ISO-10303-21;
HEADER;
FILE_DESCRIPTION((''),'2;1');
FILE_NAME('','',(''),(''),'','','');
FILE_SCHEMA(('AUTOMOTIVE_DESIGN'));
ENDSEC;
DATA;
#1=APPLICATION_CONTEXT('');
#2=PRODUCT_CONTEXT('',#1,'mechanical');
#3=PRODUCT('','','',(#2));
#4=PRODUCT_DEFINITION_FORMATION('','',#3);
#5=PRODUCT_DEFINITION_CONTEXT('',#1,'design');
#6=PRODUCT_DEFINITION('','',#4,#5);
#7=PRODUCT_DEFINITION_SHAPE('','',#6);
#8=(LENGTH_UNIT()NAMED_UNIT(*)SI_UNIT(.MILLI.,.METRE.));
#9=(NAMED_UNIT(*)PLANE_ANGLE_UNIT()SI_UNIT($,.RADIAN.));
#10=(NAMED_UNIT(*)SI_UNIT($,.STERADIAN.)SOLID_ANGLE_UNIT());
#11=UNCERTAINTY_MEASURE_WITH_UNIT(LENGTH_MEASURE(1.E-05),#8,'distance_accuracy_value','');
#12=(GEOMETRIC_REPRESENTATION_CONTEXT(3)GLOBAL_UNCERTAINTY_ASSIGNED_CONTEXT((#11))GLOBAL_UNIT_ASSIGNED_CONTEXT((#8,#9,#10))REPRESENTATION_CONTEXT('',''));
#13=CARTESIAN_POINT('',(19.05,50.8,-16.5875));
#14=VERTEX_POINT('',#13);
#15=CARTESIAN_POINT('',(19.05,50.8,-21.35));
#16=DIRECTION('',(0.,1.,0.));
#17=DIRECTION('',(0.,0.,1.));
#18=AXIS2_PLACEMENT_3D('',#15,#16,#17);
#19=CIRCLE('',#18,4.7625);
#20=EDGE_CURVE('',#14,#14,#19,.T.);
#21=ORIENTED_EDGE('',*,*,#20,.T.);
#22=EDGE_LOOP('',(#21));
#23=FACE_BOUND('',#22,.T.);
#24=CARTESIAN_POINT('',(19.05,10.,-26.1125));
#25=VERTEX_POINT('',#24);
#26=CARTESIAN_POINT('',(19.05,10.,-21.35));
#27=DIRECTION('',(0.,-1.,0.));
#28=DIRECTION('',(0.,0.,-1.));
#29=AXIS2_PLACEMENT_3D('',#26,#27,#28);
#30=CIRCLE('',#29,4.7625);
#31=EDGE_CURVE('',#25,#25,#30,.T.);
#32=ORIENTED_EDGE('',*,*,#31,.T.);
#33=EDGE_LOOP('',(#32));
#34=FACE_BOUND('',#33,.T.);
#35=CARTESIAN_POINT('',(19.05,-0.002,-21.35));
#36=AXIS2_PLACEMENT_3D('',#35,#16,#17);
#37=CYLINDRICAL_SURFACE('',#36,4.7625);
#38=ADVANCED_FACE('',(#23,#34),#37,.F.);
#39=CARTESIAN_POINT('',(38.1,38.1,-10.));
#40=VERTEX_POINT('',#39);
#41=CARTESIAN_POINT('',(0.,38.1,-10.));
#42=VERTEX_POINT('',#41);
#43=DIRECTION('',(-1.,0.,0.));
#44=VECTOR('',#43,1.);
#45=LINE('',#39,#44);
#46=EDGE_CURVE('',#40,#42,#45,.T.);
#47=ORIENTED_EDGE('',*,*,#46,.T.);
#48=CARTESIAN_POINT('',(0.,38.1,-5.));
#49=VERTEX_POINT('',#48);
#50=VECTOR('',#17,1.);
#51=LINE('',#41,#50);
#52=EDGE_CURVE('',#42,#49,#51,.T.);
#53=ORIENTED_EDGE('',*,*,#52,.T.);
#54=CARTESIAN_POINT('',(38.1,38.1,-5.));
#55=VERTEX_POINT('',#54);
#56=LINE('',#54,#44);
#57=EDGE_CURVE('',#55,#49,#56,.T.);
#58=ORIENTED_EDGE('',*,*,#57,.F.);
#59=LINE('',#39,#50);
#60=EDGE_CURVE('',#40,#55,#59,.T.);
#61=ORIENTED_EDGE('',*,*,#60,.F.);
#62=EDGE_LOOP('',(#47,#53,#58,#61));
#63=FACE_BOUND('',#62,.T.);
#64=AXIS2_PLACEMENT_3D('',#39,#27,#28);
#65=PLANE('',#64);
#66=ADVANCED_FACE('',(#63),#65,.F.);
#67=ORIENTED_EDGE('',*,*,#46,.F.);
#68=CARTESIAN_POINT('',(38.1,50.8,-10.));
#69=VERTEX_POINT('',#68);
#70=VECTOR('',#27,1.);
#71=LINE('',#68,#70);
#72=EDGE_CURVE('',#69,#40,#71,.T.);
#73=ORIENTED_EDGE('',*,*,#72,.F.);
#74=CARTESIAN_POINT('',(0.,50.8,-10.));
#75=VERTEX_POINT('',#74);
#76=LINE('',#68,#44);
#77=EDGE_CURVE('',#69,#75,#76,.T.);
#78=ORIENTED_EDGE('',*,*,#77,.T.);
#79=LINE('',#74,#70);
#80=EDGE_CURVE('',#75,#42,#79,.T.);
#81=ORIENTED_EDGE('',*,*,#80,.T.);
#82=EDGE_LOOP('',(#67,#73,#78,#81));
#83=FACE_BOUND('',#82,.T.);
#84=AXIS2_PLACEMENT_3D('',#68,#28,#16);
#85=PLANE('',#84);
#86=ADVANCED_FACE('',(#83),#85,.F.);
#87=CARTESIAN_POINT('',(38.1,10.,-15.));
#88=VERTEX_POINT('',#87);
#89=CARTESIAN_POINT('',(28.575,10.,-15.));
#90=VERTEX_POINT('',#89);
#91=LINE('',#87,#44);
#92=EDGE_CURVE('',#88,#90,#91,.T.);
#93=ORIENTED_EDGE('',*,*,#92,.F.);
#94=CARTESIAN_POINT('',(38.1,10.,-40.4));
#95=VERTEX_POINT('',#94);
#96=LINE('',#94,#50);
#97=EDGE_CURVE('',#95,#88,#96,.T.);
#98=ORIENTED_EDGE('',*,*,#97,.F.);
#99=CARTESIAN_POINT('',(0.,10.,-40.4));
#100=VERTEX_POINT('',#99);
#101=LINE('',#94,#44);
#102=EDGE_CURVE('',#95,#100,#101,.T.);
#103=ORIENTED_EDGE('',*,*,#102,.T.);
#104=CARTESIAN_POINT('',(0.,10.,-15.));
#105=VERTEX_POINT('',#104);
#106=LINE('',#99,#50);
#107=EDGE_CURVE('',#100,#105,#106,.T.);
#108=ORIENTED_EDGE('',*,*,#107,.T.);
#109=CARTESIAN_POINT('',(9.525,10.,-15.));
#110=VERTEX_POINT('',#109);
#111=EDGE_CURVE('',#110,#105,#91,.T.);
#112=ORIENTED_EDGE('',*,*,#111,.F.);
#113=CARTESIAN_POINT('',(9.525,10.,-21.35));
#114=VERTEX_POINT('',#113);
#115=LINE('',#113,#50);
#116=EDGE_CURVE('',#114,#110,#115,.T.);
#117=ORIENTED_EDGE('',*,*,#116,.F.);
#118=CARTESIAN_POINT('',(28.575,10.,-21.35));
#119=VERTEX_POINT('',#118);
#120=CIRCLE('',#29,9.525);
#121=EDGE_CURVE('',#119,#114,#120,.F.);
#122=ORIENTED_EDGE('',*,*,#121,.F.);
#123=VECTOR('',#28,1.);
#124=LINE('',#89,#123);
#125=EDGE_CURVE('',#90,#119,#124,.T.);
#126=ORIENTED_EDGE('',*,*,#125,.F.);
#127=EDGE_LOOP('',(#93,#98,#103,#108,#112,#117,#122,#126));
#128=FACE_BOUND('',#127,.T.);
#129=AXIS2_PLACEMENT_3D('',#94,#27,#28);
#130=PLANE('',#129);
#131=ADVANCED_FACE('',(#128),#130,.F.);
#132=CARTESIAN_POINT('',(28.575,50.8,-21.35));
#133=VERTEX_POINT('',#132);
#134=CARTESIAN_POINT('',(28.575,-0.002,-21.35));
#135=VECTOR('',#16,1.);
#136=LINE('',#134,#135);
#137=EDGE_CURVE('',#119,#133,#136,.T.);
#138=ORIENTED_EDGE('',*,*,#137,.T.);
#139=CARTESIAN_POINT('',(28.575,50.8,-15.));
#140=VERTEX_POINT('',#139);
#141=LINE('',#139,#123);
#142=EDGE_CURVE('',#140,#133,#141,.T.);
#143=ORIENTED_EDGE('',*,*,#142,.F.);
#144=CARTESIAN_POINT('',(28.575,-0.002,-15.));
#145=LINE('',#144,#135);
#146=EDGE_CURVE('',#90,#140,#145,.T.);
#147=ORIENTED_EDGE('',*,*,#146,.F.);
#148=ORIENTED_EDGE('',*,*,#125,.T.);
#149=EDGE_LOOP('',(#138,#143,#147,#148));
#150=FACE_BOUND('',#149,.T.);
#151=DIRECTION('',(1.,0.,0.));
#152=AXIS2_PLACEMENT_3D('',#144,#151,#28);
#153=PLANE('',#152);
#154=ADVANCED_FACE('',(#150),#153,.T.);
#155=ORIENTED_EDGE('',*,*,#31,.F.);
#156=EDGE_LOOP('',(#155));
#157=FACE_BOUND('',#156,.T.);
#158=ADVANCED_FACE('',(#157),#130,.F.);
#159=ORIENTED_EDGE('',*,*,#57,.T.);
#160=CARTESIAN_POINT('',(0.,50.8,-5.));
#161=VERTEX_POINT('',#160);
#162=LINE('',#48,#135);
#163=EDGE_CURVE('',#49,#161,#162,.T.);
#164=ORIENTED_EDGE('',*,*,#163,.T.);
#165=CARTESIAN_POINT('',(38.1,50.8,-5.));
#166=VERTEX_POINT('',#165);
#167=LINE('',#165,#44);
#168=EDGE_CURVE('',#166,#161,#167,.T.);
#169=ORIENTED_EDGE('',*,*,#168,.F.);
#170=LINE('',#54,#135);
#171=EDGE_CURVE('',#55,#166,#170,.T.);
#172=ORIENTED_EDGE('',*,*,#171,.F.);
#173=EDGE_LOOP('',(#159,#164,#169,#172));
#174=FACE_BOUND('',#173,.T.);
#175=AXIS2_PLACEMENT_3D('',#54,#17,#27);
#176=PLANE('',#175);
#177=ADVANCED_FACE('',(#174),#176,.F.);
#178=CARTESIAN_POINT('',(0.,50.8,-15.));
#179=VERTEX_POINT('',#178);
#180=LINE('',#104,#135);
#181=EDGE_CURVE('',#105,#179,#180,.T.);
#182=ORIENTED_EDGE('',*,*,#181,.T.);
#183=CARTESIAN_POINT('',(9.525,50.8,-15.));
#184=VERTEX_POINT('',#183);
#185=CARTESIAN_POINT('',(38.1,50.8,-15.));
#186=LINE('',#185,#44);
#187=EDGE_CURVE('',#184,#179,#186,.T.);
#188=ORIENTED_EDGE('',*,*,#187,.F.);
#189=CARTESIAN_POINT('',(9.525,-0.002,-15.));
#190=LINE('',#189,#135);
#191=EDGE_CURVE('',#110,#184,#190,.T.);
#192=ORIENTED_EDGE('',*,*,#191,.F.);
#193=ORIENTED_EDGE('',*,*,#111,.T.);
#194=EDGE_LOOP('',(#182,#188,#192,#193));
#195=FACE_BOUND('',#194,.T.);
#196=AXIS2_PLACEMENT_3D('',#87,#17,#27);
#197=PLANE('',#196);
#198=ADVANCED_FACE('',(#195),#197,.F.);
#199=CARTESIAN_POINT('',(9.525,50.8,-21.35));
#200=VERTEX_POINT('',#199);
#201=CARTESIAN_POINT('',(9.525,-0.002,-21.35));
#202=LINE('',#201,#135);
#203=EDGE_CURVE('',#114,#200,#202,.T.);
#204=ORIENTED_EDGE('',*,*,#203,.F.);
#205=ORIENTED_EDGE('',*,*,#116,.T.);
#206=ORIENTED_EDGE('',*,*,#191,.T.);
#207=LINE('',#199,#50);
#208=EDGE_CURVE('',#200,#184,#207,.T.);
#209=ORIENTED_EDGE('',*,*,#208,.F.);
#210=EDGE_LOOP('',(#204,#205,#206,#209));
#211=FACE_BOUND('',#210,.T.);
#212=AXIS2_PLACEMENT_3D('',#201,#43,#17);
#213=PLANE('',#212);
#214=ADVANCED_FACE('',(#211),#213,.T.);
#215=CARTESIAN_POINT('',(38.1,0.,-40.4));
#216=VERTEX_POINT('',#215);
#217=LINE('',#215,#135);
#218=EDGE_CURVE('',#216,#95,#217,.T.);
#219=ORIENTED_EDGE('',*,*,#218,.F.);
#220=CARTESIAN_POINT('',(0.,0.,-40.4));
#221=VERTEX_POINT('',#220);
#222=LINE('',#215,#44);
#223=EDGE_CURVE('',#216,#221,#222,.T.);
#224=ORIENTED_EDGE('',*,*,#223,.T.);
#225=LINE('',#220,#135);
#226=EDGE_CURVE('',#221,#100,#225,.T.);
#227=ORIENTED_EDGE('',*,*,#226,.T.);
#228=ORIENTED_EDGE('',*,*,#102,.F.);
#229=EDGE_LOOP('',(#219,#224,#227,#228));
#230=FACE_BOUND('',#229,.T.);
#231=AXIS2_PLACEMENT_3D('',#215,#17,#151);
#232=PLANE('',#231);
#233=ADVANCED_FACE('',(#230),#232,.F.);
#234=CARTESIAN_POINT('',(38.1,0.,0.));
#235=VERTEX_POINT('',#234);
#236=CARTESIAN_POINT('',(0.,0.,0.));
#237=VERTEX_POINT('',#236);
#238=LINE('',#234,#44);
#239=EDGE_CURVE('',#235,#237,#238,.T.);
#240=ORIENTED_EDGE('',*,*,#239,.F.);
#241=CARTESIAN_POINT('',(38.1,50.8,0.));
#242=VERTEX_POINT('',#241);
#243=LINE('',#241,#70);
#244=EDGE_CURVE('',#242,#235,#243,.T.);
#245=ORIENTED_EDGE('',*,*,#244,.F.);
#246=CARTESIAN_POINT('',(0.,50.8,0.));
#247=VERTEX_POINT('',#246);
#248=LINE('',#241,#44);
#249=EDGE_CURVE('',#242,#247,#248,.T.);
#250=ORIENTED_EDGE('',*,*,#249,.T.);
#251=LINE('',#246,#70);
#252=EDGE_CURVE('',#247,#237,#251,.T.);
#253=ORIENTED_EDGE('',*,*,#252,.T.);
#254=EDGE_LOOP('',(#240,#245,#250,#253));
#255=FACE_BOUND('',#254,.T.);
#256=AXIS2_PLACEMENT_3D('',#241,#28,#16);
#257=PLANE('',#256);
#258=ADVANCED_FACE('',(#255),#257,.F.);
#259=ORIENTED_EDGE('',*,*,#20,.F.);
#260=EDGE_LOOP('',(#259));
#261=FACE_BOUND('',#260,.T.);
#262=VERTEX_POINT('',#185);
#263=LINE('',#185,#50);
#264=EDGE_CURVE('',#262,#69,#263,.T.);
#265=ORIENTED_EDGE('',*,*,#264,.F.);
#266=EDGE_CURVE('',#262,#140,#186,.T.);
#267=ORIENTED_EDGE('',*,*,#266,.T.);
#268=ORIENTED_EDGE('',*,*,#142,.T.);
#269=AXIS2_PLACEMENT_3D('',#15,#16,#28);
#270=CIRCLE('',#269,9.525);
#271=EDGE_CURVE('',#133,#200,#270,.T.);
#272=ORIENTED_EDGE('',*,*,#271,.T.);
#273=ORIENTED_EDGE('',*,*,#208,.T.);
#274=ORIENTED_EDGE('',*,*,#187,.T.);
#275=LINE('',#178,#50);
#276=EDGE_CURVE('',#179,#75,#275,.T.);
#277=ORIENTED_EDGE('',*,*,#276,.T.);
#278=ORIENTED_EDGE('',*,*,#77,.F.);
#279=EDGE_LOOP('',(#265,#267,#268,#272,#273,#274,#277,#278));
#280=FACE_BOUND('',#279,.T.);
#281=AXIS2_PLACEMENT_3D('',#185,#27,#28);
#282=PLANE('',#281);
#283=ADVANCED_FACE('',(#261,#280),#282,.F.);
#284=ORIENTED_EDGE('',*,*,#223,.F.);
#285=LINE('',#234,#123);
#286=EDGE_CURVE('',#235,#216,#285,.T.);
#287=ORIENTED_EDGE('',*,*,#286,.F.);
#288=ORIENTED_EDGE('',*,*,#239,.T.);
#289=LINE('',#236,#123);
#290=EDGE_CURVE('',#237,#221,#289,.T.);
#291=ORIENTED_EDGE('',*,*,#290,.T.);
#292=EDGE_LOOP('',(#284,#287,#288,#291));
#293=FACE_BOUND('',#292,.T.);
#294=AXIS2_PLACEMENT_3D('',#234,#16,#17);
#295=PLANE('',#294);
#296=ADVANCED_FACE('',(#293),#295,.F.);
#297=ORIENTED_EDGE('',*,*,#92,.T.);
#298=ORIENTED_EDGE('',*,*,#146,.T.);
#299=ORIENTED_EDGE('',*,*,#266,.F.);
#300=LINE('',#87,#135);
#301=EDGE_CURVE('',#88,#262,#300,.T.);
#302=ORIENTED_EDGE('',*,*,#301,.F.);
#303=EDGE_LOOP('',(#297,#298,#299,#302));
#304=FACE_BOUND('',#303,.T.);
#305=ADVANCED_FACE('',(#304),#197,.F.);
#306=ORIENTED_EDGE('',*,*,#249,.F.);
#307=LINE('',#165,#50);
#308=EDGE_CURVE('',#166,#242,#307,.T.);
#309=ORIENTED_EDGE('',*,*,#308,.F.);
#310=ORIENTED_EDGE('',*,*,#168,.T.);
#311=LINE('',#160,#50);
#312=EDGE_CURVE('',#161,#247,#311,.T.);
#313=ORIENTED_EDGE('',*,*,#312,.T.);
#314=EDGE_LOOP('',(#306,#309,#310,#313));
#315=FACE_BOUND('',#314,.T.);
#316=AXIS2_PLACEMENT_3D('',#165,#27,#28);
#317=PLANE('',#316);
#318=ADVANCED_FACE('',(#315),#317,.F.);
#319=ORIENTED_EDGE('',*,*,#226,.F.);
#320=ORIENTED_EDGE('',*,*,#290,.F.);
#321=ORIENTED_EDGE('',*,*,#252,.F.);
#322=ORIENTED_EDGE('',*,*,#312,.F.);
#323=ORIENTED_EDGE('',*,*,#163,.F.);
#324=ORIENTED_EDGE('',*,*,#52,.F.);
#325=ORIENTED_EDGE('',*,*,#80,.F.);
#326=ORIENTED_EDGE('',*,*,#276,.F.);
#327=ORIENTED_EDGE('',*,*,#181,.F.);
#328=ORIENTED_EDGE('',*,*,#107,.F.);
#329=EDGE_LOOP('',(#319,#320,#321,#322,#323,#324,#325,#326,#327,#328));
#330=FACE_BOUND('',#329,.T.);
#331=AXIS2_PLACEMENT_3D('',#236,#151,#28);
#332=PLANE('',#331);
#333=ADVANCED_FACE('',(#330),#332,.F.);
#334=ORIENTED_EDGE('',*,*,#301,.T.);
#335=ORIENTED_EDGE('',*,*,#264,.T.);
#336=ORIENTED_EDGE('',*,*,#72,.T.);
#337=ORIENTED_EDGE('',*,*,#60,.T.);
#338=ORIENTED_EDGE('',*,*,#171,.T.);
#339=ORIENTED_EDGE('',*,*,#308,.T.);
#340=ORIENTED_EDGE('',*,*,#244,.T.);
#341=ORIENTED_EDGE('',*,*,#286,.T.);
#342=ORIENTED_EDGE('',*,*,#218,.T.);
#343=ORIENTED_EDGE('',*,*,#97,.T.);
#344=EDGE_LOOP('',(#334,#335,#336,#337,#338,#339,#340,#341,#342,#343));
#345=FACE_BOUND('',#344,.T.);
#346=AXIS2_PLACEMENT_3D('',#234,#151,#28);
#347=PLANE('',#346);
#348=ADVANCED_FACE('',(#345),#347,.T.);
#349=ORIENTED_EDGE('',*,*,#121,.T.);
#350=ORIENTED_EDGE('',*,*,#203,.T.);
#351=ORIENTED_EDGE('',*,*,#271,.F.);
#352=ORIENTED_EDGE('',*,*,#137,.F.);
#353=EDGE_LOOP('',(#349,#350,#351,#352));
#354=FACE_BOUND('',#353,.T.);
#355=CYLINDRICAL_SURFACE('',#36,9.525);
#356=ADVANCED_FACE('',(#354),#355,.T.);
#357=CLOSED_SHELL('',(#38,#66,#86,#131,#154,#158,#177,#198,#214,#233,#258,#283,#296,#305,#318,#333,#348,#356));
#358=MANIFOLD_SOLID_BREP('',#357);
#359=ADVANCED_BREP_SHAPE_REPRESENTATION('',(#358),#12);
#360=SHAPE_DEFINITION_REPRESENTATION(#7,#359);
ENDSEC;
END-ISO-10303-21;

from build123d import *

# Parameters (mm, degrees)
BOSS_EXTRUDE1_DEPTH = 38.1
BOSS_EXTRUDE2_REACH = 52.8
SKETCH2_R           = 4.7625


with BuildPart() as part:
    # Sketch1 → Boss-Extrude1 (new body)
    with BuildSketch(Plane(origin=(0, 0, 0), x_dir=(0, 0, -1), z_dir=(1, 0, 0))):
        Polygon((0, 0), (40.4, 0), (40.4, 10), (15, 10), (15, 50.8), (10, 50.8), (10, 38.1), (5, 38.1), (5, 50.8), (0, 50.8), align=None)
    extrude(amount=BOSS_EXTRUDE1_DEPTH)

    # Sketch2 → Boss-Extrude2 (add, up to next)
    with BuildSketch(Plane(origin=(0, 50.8, 0), x_dir=(1, 0, 0), z_dir=(0, 1, 0)), mode=Mode.PRIVATE) as boss_extrude2_sk1:
        with BuildLine():
            Line((9.525, 21.35), (9.525, 15))
            Line((9.525, 15), (28.575, 15))
            Line((28.575, 15), (28.575, 21.35))
            ThreePointArc((28.575, 21.35), (19.05, 30.875), (9.525, 21.35))
        make_face()
        with Locations((19.05, 21.35)):
            Circle(SKETCH2_R, mode=Mode.SUBTRACT)
    boss_extrude2_tool1 = extrude(boss_extrude2_sk1.sketch, amount=-BOSS_EXTRUDE2_REACH, mode=Mode.PRIVATE) - part.part
    add(boss_extrude2_tool1.solids().sort_by_distance((9.772975, 50.8, -18.175))[0])


solid = part.part
